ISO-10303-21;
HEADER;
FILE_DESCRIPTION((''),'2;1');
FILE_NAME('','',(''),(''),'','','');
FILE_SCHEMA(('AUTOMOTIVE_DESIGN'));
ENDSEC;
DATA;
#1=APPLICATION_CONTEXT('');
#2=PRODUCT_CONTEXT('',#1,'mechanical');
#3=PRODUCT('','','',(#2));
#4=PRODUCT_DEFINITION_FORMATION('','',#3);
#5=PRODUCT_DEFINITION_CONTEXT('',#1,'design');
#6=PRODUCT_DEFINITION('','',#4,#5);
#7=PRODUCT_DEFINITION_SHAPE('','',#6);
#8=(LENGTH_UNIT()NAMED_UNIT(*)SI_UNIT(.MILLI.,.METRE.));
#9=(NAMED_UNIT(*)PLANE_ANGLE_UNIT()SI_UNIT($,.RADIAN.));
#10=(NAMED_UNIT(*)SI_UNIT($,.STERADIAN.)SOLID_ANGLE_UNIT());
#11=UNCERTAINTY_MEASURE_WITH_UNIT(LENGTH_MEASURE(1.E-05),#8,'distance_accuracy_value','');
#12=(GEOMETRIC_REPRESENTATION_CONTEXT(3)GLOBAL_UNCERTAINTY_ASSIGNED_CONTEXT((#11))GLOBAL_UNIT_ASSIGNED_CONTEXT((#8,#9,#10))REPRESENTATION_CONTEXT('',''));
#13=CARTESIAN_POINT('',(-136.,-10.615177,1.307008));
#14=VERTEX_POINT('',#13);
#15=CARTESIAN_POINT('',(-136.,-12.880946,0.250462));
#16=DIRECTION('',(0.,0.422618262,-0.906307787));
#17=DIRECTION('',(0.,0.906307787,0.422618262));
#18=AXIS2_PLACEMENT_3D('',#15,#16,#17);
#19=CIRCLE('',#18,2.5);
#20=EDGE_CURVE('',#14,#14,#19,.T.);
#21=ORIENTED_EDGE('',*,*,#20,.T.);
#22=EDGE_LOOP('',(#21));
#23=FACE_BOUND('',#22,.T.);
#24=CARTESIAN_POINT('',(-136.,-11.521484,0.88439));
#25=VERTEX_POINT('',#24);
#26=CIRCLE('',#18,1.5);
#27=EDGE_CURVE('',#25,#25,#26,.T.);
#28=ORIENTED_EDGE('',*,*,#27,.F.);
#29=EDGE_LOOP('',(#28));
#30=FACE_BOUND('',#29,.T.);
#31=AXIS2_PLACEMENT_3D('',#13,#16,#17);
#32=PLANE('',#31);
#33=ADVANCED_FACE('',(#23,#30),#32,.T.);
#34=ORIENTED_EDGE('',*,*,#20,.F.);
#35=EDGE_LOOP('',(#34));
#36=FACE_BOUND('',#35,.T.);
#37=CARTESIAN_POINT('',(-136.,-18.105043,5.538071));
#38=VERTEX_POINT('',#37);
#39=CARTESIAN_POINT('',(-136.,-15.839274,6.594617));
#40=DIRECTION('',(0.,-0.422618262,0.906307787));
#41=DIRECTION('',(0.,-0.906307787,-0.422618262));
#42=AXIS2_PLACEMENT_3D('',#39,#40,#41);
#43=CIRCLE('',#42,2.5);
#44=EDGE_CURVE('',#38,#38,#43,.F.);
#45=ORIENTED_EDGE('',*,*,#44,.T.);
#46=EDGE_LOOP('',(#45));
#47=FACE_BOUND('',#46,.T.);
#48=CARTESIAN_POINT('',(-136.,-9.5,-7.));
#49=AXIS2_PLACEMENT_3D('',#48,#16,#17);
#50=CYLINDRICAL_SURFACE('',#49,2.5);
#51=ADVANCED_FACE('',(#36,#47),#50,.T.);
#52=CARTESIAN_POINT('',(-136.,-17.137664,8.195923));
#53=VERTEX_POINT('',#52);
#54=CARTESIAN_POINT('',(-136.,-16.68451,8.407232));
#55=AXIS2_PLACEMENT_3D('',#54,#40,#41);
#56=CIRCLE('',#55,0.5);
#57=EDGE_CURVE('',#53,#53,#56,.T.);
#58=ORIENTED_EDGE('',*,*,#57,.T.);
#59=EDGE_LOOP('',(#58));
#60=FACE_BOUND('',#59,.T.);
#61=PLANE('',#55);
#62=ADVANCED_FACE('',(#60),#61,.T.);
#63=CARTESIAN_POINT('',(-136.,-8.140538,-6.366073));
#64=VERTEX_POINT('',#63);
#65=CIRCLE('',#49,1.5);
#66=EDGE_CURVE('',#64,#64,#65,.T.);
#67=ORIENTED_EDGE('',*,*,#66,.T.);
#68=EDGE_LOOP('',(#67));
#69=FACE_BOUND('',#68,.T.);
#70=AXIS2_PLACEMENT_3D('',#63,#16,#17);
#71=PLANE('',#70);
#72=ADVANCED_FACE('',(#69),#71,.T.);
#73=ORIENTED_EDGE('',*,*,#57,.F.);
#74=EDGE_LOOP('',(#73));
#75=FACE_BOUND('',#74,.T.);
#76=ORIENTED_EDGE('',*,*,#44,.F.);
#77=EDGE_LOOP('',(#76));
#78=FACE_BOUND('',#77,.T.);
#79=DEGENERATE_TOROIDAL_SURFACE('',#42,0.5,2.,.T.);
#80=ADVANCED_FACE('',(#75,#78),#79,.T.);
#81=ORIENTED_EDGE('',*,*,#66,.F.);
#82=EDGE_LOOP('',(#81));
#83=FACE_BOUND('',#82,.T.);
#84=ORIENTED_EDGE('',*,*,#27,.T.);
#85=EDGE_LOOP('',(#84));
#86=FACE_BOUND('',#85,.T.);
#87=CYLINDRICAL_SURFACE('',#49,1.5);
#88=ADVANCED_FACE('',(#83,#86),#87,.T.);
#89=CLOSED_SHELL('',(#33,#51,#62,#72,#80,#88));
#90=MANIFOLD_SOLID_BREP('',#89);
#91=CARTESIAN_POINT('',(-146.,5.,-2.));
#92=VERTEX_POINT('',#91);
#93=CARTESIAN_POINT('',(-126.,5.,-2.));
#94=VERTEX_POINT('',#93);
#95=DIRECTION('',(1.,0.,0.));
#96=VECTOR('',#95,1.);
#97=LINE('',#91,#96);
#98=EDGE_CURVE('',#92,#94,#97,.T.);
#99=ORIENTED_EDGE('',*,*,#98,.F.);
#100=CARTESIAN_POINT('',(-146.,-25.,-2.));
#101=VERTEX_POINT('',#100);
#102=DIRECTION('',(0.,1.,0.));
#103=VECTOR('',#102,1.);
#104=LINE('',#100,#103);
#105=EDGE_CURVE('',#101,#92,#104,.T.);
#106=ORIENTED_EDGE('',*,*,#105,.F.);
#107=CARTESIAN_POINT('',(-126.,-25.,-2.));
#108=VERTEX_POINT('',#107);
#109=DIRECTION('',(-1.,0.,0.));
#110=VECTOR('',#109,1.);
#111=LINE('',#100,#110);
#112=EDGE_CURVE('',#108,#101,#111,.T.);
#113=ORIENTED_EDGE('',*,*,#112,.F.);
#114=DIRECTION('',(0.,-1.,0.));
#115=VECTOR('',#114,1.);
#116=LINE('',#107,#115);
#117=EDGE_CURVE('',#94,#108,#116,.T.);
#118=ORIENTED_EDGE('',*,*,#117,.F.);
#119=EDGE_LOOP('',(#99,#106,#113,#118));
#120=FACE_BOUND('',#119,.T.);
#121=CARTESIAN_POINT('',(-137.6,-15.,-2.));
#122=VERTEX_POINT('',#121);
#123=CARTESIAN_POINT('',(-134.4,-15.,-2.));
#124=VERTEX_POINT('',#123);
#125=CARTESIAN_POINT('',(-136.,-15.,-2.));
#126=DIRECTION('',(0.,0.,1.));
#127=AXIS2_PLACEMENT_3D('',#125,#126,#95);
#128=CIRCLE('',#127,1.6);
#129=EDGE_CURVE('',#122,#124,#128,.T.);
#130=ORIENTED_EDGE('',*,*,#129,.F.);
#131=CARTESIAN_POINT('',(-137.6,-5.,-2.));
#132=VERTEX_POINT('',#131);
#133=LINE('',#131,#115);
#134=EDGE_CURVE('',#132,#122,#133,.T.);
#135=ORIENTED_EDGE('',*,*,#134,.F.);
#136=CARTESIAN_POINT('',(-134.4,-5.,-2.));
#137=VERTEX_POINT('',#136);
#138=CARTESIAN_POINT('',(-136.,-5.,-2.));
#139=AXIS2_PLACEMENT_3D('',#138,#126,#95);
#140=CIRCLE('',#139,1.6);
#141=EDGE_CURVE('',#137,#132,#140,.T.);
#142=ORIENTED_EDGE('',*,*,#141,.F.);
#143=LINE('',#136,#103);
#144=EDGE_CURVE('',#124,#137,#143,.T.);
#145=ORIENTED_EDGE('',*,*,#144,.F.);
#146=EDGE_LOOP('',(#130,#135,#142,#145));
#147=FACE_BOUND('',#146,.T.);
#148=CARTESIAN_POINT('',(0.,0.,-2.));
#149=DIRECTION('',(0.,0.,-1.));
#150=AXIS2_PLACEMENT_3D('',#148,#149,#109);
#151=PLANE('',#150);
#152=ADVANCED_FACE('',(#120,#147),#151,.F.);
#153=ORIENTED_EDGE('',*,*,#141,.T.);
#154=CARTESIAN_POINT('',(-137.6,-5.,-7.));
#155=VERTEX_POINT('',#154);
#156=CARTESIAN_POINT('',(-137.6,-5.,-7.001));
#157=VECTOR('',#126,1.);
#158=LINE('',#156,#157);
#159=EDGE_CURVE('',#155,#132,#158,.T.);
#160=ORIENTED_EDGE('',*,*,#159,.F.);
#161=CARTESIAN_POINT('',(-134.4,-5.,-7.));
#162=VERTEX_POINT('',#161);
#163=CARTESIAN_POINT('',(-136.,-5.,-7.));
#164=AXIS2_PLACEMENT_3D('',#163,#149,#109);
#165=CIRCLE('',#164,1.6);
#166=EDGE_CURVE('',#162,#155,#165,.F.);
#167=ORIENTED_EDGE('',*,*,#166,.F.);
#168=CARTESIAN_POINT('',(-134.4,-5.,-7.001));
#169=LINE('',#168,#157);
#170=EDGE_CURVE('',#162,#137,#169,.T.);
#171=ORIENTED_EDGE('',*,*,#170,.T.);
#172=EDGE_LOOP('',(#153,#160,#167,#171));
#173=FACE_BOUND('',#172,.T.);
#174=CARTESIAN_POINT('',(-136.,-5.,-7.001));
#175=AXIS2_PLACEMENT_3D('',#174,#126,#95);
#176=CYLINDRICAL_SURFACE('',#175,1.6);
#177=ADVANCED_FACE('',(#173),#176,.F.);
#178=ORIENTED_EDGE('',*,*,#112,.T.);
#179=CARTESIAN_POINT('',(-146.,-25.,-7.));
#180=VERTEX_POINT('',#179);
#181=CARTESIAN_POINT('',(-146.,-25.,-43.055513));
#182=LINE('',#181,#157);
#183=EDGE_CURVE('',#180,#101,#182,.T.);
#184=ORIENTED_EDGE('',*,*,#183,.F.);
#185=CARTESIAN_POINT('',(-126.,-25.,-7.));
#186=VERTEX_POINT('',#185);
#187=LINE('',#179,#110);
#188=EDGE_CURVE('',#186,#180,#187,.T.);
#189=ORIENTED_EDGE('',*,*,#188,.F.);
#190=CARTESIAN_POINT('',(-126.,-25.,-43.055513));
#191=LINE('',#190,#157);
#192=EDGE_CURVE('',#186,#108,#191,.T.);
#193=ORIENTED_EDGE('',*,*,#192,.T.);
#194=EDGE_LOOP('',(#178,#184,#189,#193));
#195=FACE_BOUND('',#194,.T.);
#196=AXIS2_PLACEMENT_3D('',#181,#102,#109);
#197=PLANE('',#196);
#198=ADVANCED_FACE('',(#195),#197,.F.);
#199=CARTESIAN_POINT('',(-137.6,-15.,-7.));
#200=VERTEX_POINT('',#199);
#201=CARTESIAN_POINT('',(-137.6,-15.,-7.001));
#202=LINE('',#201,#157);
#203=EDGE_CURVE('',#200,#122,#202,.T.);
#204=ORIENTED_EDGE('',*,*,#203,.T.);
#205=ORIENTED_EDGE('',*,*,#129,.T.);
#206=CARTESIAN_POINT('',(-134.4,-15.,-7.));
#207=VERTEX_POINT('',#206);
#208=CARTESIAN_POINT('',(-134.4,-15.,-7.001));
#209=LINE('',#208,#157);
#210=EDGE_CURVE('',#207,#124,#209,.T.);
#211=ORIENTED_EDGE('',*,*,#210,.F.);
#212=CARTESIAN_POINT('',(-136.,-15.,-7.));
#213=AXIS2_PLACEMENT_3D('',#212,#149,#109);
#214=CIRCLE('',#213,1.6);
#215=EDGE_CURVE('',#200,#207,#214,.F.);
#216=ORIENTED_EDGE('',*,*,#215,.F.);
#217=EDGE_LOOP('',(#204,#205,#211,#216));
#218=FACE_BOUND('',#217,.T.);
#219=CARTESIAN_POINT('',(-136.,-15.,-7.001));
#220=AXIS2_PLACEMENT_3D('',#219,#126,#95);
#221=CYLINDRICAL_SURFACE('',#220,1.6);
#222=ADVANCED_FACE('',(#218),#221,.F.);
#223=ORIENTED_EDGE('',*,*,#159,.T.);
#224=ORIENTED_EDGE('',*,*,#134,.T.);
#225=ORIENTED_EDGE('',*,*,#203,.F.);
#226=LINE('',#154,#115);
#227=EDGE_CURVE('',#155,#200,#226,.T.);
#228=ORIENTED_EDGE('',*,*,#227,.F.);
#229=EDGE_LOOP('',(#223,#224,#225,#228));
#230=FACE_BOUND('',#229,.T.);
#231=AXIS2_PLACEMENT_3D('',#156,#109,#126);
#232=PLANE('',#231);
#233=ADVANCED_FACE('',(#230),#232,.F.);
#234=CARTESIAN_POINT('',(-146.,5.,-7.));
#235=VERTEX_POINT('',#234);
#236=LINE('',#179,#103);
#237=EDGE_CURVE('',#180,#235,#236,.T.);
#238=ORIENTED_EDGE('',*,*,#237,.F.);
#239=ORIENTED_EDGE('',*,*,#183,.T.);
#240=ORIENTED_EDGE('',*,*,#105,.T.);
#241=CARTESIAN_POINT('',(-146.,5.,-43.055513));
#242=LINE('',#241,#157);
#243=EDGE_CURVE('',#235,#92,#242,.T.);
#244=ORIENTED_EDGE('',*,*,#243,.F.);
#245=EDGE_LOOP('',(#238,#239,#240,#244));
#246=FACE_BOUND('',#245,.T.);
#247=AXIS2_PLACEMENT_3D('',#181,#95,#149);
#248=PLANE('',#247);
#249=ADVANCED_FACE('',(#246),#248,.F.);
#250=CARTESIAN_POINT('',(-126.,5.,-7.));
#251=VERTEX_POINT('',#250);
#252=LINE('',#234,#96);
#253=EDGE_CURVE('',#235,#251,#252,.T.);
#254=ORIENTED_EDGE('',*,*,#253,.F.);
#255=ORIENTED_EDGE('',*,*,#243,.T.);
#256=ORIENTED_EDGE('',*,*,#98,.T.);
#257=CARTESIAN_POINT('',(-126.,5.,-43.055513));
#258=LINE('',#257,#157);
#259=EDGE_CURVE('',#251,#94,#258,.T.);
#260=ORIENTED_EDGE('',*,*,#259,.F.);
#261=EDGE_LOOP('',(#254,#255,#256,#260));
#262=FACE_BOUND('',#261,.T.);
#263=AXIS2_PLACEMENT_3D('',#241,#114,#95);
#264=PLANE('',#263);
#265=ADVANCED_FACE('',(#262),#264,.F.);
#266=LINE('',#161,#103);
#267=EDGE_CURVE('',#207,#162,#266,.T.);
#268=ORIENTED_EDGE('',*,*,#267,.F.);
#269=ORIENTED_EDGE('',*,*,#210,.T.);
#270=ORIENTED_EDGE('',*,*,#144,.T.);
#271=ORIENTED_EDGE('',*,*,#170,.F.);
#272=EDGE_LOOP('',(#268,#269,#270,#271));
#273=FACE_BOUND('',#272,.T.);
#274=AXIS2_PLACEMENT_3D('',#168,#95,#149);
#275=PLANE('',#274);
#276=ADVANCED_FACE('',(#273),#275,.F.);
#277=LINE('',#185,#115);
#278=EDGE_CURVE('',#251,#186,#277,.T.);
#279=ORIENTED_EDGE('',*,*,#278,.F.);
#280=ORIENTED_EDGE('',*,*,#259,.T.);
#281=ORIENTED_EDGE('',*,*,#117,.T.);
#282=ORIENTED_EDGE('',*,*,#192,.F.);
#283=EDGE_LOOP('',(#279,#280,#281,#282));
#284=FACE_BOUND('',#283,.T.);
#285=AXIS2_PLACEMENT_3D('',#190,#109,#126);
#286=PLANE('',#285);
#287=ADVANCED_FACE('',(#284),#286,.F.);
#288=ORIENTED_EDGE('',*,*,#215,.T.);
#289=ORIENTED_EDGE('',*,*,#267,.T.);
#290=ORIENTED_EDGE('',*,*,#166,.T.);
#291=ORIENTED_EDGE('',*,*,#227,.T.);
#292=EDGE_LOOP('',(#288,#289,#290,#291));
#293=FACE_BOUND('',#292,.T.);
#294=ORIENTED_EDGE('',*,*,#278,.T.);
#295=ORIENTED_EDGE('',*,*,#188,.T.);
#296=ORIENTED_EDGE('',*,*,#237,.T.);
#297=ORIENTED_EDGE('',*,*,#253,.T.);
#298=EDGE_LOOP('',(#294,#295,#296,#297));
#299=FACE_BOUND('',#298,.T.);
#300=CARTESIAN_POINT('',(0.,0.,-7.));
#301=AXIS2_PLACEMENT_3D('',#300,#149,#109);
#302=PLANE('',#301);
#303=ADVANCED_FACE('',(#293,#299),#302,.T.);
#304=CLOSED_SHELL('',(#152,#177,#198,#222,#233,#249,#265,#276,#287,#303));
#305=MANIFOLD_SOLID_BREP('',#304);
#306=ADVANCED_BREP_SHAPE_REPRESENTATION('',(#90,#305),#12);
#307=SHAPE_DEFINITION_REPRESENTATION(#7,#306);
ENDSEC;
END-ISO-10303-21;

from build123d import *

# Parameters (mm, degrees)
SKETCH_1_W          = 20
SKETCH_1_H          = 30
EXTRUDE_1_DEPTH     = 5
CUT_EXTRUDE_1_REACH = 150.209
FILLET_1_R          = 2


with BuildPart() as part:
    # Эскиз1 → Бобышка-Вытянуть1 (new body)
    with BuildSketch(Plane(origin=(0, 0, -2), x_dir=(-1, 0, 0), z_dir=(0, 0, -1))):
        with Locations((136, -10)):
            Rectangle(SKETCH_1_W, SKETCH_1_H)
    extrude(amount=EXTRUDE_1_DEPTH)

    # Эскиз2 → Вырез-Вытянуть1 (cut, up to next)
    with BuildSketch(Plane.XY.offset(-2), mode=Mode.PRIVATE) as cut_extrude_1_sk1:
        with BuildLine():
            Line((-134.4, -5), (-134.4, -15))
            ThreePointArc((-134.4, -15), (-136, -16.6), (-137.6, -15))
            Line((-137.6, -15), (-137.6, -5))
            ThreePointArc((-137.6, -5), (-136, -3.4), (-134.4, -5))
        make_face()
    cut_extrude_1_tool1 = extrude(cut_extrude_1_sk1.sketch, amount=-CUT_EXTRUDE_1_REACH, mode=Mode.PRIVATE) & part.part
    add(cut_extrude_1_tool1.solids().sort_by_distance((-136, -10, -2))[0], mode=Mode.SUBTRACT)


with BuildPart() as body_2:
    # Эскиз4 → Повернуть1 (revolve)
    with BuildSketch(Plane(origin=(-136, 0, -136), x_dir=(0, 0, -1), z_dir=(1, 0, 0))):
        Polygon((-144.40723238, -16.68451045), (-145.463778034, -14.418740982), (-137.307007951, -10.615176626), (-136.884389689, -11.521484413), (-129.633927393, -8.140538319), (-129, -9.5), align=None)
    revolve(axis=Axis((-136, -9.5, -7), (0, -0.42261826174069383, 0.9063077870366526)))

    # Скругление1
    fillet_1_edges = [body_2.edges().sort_by_distance(p)[0] for p in [
        (-136, -18.950279917, 7.350686725),
    ]]
    fillet(fillet_1_edges, radius=FILLET_1_R)


solid = Compound([part.part, body_2.part])
